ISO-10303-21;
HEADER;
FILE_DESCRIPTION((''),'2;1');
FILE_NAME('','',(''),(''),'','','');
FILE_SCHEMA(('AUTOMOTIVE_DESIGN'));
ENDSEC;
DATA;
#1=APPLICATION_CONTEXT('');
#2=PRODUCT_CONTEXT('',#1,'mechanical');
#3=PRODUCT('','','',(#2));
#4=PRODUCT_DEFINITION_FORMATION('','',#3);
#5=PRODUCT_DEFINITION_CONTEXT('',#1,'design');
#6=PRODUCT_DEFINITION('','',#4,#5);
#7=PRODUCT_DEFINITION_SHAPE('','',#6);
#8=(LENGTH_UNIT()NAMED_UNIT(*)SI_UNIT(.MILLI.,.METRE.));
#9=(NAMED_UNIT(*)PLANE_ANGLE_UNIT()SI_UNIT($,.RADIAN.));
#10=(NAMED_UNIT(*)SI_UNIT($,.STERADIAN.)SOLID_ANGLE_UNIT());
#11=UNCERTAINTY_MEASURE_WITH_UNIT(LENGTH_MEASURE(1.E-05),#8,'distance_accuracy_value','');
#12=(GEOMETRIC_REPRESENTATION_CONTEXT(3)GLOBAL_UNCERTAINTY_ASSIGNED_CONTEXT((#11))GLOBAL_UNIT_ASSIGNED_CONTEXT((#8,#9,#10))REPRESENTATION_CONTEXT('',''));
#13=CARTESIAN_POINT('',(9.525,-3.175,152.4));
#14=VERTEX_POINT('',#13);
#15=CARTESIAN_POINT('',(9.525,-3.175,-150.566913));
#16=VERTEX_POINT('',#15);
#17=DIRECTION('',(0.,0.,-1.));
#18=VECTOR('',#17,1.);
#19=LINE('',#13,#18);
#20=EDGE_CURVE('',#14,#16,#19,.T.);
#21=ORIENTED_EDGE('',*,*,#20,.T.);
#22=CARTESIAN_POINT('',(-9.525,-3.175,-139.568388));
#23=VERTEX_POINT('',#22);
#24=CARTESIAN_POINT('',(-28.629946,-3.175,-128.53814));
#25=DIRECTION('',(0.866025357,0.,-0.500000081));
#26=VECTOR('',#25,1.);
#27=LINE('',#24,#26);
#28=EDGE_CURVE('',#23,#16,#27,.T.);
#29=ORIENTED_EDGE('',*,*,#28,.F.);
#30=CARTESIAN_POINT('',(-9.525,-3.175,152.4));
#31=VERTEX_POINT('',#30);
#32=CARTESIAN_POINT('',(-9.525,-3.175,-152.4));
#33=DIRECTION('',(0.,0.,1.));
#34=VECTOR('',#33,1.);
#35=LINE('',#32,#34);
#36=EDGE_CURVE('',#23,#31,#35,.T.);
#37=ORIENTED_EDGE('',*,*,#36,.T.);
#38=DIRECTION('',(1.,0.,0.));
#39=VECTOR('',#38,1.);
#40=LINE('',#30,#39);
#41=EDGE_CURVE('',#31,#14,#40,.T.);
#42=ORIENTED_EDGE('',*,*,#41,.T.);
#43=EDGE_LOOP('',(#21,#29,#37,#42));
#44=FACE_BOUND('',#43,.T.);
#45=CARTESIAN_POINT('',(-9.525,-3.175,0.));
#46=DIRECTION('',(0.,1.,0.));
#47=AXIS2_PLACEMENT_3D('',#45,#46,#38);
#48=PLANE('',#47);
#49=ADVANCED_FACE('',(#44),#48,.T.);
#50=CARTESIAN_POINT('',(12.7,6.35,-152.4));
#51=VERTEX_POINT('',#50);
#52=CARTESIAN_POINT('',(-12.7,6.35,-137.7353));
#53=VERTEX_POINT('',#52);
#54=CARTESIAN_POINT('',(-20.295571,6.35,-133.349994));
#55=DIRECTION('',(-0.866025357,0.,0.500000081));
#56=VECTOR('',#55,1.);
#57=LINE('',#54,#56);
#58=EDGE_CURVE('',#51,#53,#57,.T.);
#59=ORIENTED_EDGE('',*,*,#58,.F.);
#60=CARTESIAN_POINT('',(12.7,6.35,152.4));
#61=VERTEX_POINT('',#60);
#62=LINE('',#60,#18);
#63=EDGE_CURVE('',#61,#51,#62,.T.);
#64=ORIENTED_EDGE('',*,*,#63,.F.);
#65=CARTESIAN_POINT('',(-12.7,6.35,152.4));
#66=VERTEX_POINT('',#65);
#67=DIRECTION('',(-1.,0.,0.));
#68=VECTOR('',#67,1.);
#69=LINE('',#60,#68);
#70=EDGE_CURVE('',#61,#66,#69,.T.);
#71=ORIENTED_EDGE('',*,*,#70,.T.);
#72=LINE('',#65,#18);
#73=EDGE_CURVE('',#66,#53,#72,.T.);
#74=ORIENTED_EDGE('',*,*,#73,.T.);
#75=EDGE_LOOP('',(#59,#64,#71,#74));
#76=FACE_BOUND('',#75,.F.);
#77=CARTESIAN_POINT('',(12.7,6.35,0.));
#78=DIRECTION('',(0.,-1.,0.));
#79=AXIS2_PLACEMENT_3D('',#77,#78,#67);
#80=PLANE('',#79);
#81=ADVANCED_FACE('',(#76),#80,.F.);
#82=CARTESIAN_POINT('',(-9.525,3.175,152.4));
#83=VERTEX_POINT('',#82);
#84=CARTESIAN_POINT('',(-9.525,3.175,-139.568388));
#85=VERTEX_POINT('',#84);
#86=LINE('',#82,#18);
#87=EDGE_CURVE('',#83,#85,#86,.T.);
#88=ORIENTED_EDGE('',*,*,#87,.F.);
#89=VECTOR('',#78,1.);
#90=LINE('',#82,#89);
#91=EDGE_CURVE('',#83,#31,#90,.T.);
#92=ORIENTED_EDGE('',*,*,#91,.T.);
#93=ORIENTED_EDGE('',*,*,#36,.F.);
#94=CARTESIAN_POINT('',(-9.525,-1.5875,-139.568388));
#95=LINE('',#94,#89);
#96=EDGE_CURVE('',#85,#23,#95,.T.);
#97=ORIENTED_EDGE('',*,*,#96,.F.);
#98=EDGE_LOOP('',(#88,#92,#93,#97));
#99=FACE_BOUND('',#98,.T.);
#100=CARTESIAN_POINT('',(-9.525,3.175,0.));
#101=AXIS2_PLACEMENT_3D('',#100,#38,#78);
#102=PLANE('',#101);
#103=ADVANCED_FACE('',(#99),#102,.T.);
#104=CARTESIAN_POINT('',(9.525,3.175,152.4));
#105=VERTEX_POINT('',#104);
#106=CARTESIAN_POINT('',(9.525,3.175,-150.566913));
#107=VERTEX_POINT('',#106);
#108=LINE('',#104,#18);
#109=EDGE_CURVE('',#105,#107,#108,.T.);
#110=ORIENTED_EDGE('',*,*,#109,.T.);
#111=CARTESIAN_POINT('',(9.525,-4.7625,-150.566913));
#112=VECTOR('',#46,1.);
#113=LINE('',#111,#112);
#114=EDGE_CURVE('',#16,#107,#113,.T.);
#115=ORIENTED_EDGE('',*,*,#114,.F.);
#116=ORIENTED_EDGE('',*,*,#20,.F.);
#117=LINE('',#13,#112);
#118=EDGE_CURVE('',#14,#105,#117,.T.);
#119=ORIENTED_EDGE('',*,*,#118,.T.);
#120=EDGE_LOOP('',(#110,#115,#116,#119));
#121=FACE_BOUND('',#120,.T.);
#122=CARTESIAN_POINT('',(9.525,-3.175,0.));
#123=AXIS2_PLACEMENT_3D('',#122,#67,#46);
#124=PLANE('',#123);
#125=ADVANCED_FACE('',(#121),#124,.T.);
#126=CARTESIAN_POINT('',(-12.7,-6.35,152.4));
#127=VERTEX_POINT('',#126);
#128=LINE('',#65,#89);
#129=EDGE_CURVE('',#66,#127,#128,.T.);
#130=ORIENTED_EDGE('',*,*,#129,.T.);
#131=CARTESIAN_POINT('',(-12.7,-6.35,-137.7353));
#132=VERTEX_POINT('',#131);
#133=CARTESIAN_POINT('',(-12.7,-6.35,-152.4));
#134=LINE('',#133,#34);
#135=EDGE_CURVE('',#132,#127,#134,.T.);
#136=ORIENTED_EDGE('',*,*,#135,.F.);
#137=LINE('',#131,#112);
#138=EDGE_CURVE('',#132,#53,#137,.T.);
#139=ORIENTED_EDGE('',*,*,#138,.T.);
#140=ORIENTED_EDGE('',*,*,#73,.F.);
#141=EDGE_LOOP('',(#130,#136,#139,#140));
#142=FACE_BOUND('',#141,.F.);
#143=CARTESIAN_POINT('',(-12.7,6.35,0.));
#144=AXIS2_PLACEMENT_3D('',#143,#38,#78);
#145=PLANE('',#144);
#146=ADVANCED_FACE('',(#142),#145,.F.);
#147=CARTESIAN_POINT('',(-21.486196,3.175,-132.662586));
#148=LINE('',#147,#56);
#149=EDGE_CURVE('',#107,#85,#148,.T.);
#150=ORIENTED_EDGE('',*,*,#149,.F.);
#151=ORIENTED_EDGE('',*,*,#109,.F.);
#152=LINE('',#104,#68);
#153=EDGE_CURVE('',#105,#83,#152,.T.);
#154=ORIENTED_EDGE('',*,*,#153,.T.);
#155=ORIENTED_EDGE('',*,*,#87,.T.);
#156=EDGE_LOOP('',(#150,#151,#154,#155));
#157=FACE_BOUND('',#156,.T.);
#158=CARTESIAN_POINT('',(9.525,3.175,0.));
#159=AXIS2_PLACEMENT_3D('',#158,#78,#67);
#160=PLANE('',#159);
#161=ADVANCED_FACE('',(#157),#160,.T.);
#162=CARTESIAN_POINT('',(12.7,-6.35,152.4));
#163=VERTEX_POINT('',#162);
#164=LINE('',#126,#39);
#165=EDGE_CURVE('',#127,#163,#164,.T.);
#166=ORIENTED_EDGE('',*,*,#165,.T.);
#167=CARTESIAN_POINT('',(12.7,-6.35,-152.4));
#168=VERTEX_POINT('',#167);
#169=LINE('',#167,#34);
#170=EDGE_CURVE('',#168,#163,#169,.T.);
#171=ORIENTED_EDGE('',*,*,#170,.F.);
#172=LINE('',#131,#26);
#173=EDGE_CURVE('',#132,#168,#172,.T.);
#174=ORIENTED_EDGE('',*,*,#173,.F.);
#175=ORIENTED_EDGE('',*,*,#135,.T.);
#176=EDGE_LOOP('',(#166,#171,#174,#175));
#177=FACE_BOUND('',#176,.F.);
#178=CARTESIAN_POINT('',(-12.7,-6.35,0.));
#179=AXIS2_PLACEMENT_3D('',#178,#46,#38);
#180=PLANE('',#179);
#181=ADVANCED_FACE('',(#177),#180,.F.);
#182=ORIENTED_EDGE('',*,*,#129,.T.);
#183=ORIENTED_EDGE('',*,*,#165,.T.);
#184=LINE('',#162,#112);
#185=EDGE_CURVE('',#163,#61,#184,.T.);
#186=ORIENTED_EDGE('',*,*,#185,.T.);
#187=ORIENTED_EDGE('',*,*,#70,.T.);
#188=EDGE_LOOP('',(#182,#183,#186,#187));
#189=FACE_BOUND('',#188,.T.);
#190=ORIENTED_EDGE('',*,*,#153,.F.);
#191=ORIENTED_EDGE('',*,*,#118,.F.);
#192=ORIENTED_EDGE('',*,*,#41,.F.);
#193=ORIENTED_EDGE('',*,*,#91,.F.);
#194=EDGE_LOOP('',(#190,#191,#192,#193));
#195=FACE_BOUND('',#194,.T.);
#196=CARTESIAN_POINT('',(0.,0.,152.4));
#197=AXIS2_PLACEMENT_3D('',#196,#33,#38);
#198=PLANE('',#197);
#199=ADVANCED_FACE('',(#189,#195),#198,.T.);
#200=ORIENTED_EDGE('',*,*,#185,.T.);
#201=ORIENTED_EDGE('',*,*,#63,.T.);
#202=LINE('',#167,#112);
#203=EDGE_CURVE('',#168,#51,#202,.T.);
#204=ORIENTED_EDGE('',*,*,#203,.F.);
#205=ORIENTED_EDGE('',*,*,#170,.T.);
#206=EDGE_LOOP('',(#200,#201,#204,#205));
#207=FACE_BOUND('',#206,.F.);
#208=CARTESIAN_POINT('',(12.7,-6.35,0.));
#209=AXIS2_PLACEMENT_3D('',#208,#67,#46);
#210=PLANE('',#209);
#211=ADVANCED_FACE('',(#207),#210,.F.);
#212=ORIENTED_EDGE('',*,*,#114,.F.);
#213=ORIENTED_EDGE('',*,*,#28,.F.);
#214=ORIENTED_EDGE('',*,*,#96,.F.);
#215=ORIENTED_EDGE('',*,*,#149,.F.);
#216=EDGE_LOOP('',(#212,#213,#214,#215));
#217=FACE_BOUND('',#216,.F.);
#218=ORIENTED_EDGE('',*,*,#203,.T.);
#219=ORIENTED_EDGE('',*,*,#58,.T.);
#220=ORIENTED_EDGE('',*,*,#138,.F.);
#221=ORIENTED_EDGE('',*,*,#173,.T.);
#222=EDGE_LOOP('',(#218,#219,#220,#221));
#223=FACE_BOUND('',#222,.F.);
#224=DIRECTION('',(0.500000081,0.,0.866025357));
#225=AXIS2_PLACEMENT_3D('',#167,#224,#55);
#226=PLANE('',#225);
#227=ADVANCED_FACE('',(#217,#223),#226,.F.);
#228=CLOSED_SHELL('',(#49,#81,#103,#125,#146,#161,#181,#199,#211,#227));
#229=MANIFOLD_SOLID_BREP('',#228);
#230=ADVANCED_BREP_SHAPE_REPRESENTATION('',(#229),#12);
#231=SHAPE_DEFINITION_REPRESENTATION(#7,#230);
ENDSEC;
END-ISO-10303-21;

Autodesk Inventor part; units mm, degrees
ref_plane "YZ Plane" through (0, 0, 0) normal (1, 0, 0) x (0, 1, 0)
ref_plane "XZ Plane" through (0, 0, 0) normal (0, 1, 0) x (-1, 0, 0)
ref_plane "XY Plane" through (0, 0, 0) normal (0, 0, 1) x (1, 0, 0)
sketch "Sketch1" plane through (0, 0, 0) normal (0, 0, 1) x (1, 0, 0)
  line L0 (-12.7, -6.35) -> (12.7, -6.35)
  line L1 (12.7, -6.35) -> (12.7, 6.35)
  line L2 (12.7, 6.35) -> (-12.7, 6.35)
  line L3 (-12.7, 6.35) -> (-12.7, -6.35)
  line L4 (-12.7, -6.35) -> (12.7, 6.35) construction
  line L5 (12.7, -6.35) -> (-12.7, 6.35) construction
  line L6 (-9.525, -3.175) -> (9.525, -3.175)
  line L7 (9.525, -3.175) -> (9.525, 3.175)
  line L8 (9.525, 3.175) -> (-9.525, 3.175)
  line L9 (-9.525, 3.175) -> (-9.525, -3.175)
  line L10 (-9.525, -3.175) -> (9.525, 3.175) construction
  line L11 (9.525, -3.175) -> (-9.525, 3.175) construction
  point P0 (0, 0)
  dimension "d0" = 25.4
  dimension "d1" = 12.7
  dimension "d2" = 3.175
  dimension "d3" = 3.175
extrude "Extrusion1" add sketch "Sketch1" along normal mid plane 304.8
sketch "Sketch2" plane through (-12.7, -6.35, 152.4) normal (0, -1, 0) x (1, 0, 0)
  line L0 (25.4, -304.8) -> (0, -304.8) projected
  line L1 (25.4, -304.8) -> (0, -290.1353)
  line L2 (0, -304.8) -> (0, 0) projected
  line L3 (0, -304.8) -> (0, -290.1353)
  line L4 (0, -304.8) -> (25.4, -304.8)
  line L5 (22.225, 0) -> (22.225, -304.8) projected
  point P0 (12.7, -152.4)
  dimension "d6" = 30
extrude "Extrusion2" cut sketch "Sketch2" against normal through all
properties part number "1x0_5xforSideAluminumExtrusion" material "Aluminum 6061, Welded"
